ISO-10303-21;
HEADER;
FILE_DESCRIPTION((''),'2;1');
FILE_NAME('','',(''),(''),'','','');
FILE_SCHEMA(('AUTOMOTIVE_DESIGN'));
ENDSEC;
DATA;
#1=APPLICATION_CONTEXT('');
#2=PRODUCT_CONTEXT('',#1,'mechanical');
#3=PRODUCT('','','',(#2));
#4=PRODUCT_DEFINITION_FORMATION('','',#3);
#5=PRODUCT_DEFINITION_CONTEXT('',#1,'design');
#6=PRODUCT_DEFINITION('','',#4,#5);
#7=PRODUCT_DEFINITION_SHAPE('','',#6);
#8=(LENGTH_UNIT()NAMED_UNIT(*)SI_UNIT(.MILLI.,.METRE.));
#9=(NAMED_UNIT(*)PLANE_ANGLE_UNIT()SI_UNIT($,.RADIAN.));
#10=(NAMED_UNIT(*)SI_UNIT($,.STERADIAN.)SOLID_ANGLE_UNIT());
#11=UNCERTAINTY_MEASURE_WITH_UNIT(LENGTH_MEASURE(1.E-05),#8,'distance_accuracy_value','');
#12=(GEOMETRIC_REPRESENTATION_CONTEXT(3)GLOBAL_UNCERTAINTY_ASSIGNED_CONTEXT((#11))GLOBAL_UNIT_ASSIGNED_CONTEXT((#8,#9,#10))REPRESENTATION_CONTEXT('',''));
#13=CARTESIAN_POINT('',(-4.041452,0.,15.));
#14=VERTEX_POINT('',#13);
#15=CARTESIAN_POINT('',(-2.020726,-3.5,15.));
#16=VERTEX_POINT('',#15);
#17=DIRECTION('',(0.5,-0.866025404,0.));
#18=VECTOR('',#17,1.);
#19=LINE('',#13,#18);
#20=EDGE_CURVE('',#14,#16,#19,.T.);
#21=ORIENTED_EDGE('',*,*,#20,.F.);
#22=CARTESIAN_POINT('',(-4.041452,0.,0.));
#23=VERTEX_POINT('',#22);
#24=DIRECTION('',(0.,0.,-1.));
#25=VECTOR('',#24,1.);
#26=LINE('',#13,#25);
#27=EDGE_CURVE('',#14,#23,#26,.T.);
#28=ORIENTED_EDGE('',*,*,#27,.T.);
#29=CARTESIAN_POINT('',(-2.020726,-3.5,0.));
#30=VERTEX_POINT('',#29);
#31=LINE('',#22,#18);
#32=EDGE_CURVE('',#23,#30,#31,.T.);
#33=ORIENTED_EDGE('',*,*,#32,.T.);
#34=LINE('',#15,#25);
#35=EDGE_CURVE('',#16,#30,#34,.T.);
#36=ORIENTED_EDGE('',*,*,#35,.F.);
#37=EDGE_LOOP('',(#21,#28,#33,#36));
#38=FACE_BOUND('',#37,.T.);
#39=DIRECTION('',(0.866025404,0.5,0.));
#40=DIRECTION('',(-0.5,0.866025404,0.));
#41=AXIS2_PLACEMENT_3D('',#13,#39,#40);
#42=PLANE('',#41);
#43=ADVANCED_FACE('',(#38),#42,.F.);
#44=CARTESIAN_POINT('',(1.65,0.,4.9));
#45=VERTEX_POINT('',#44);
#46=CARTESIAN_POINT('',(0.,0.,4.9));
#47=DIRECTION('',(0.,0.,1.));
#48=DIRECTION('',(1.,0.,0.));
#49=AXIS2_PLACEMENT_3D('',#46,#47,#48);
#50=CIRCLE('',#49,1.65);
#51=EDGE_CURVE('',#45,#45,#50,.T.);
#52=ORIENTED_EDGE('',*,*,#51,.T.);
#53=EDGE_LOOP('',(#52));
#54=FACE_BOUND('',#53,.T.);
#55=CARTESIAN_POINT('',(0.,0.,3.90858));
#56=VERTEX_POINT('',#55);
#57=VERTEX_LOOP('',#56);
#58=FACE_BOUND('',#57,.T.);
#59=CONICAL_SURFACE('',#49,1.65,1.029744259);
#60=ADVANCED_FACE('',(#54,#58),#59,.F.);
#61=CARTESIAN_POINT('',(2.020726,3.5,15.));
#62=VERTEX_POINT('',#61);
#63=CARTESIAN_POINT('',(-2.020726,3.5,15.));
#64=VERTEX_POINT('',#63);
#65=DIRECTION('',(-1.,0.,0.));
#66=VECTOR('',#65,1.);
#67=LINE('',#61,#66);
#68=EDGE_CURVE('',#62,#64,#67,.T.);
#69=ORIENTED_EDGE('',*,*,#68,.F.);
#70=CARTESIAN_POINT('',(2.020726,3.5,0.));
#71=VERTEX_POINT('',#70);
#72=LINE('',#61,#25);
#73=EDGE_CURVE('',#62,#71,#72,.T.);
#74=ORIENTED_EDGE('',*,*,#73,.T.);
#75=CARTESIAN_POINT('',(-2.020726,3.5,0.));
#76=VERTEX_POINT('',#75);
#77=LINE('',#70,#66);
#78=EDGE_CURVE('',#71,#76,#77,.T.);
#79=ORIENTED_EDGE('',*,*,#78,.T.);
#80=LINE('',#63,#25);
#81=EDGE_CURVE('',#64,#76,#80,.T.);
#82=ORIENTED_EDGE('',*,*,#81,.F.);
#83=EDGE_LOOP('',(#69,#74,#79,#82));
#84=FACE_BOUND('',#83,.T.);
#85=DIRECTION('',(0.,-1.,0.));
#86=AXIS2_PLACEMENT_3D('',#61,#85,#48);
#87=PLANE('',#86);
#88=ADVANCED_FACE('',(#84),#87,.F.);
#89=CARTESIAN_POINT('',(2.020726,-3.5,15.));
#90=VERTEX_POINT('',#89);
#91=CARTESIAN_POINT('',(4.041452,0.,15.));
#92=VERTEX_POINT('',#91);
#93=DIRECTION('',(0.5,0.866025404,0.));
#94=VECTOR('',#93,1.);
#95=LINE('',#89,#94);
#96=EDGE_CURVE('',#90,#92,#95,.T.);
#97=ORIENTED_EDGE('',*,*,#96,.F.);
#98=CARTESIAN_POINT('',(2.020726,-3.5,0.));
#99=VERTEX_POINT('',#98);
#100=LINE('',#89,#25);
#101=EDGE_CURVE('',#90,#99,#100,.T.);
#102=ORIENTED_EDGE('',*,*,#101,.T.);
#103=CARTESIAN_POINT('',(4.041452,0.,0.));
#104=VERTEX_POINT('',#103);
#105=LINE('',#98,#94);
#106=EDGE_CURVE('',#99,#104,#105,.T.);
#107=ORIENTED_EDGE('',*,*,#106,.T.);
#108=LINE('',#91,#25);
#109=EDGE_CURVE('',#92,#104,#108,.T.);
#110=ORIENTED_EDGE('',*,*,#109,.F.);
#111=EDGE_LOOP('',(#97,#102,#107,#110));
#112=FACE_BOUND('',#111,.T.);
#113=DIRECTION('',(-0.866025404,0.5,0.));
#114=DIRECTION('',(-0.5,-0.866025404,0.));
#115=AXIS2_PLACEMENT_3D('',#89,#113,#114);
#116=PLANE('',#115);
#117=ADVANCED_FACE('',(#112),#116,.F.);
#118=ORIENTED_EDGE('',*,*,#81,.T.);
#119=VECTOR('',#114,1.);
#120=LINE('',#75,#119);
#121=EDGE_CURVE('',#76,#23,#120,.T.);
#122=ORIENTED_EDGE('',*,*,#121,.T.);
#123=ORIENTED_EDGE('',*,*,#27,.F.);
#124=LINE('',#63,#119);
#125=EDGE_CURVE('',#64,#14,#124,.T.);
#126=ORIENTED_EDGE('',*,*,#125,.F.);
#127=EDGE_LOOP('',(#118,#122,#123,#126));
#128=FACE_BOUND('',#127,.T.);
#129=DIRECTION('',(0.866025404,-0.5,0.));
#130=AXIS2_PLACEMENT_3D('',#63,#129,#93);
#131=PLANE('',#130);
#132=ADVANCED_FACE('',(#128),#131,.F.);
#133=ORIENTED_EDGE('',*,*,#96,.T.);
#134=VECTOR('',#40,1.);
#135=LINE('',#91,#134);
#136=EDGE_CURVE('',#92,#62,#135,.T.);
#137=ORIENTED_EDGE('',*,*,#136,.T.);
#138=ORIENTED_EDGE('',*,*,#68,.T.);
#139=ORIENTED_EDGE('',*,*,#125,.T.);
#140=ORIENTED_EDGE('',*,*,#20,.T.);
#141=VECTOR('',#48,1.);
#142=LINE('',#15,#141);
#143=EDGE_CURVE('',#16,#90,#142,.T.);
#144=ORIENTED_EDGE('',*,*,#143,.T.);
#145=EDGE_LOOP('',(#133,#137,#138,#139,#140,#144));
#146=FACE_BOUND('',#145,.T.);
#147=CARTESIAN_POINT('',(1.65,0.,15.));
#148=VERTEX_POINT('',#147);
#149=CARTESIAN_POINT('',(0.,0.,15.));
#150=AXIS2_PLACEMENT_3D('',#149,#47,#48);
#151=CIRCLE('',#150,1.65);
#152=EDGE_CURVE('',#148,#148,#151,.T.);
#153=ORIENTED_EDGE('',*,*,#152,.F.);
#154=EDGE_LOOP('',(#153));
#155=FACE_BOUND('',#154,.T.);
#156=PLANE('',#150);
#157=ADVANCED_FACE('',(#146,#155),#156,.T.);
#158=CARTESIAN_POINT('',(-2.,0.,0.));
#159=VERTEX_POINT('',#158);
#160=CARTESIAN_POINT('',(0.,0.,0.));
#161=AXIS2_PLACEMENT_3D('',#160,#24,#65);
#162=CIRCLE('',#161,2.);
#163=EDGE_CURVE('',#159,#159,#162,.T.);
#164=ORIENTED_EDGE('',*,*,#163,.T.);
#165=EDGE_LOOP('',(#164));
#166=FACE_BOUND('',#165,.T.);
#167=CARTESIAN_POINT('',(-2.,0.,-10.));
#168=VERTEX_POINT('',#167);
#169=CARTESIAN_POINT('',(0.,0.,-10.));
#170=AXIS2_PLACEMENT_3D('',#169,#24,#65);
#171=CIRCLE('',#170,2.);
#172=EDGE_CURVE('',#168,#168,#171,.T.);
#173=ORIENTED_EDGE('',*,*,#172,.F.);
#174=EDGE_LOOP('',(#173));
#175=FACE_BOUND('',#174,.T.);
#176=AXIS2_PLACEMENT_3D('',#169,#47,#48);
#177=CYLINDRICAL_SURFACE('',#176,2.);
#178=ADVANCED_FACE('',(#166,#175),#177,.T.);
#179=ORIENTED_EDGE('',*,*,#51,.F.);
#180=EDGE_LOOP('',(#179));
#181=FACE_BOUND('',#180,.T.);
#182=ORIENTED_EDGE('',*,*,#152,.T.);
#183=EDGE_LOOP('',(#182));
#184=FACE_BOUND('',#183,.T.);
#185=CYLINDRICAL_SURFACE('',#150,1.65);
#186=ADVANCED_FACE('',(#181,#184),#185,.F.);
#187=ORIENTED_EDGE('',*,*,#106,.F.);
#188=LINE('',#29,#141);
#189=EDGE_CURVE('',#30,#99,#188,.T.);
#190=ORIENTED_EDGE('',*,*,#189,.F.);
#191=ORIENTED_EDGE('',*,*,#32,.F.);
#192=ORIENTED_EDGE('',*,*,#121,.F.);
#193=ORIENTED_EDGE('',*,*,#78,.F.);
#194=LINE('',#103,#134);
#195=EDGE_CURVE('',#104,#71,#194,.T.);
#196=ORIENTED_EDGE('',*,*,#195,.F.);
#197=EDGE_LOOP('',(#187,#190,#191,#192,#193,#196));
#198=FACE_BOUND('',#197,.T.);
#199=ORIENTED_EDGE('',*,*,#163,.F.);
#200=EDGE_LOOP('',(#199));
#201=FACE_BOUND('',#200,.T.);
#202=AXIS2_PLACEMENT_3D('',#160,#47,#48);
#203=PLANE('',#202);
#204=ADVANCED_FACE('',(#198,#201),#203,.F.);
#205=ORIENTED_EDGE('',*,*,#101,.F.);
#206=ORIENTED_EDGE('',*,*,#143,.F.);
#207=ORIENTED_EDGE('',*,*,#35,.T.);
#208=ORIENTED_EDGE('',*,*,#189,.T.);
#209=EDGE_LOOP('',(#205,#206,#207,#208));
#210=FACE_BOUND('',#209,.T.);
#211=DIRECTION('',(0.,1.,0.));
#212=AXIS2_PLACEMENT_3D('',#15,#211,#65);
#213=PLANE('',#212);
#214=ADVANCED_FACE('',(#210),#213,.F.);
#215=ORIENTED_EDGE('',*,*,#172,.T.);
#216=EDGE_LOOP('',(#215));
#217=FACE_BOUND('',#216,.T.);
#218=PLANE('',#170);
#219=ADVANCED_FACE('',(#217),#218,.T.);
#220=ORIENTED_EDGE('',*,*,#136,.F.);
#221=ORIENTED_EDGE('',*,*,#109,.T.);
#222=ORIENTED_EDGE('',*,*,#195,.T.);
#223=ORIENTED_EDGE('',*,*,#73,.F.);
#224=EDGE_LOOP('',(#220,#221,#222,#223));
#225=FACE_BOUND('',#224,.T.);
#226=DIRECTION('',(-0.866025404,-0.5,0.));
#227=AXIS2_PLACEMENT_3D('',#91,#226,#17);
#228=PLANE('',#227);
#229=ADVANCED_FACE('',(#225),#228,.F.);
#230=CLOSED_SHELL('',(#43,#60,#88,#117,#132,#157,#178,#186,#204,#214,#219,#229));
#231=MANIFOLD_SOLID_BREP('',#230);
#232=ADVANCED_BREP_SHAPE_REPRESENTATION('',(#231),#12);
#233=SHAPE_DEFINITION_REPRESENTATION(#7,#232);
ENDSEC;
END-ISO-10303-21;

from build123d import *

# Parameters (mm, degrees)
EXTRUDE_1_DEPTH = 15
SKETCH_4_R      = 2
EXTRUDE_2_DEPTH = 10
M4X0_7_1_D      = 3.3
M4X0_7_1_DEPTH  = 10.1
M4X0_7_1_TIP    = 0.991420021


with BuildPart() as part:
    # 草圖1 → 填料-伸長1 (new body)
    with BuildSketch(Plane.XY):
        Polygon((-2.020725942, 3.5), (-4.041451884, 0), (-2.020725942, -3.5), (2.020725942, -3.5), (4.041451884, 0), (2.020725942, 3.5), align=None)
    extrude(amount=EXTRUDE_1_DEPTH)

    # 草圖4 → 填料-伸長2 (add)
    with BuildSketch(Plane(origin=(0, 0, 0), x_dir=(-1, 0, 0), z_dir=(0, 0, -1))):
        Circle(SKETCH_4_R)
    extrude(amount=EXTRUDE_2_DEPTH)

    # M4x0.7 螺紋孔1
    with Locations(Plane.XY.offset(15)):
        with Locations((0, 0)):
            Hole(M4X0_7_1_D / 2, depth=M4X0_7_1_DEPTH)
            with Locations((0, 0, -(M4X0_7_1_DEPTH + M4X0_7_1_TIP / 2))):  # 118° drill point
                Cone(0, M4X0_7_1_D / 2, M4X0_7_1_TIP, mode=Mode.SUBTRACT)


solid = part.part
